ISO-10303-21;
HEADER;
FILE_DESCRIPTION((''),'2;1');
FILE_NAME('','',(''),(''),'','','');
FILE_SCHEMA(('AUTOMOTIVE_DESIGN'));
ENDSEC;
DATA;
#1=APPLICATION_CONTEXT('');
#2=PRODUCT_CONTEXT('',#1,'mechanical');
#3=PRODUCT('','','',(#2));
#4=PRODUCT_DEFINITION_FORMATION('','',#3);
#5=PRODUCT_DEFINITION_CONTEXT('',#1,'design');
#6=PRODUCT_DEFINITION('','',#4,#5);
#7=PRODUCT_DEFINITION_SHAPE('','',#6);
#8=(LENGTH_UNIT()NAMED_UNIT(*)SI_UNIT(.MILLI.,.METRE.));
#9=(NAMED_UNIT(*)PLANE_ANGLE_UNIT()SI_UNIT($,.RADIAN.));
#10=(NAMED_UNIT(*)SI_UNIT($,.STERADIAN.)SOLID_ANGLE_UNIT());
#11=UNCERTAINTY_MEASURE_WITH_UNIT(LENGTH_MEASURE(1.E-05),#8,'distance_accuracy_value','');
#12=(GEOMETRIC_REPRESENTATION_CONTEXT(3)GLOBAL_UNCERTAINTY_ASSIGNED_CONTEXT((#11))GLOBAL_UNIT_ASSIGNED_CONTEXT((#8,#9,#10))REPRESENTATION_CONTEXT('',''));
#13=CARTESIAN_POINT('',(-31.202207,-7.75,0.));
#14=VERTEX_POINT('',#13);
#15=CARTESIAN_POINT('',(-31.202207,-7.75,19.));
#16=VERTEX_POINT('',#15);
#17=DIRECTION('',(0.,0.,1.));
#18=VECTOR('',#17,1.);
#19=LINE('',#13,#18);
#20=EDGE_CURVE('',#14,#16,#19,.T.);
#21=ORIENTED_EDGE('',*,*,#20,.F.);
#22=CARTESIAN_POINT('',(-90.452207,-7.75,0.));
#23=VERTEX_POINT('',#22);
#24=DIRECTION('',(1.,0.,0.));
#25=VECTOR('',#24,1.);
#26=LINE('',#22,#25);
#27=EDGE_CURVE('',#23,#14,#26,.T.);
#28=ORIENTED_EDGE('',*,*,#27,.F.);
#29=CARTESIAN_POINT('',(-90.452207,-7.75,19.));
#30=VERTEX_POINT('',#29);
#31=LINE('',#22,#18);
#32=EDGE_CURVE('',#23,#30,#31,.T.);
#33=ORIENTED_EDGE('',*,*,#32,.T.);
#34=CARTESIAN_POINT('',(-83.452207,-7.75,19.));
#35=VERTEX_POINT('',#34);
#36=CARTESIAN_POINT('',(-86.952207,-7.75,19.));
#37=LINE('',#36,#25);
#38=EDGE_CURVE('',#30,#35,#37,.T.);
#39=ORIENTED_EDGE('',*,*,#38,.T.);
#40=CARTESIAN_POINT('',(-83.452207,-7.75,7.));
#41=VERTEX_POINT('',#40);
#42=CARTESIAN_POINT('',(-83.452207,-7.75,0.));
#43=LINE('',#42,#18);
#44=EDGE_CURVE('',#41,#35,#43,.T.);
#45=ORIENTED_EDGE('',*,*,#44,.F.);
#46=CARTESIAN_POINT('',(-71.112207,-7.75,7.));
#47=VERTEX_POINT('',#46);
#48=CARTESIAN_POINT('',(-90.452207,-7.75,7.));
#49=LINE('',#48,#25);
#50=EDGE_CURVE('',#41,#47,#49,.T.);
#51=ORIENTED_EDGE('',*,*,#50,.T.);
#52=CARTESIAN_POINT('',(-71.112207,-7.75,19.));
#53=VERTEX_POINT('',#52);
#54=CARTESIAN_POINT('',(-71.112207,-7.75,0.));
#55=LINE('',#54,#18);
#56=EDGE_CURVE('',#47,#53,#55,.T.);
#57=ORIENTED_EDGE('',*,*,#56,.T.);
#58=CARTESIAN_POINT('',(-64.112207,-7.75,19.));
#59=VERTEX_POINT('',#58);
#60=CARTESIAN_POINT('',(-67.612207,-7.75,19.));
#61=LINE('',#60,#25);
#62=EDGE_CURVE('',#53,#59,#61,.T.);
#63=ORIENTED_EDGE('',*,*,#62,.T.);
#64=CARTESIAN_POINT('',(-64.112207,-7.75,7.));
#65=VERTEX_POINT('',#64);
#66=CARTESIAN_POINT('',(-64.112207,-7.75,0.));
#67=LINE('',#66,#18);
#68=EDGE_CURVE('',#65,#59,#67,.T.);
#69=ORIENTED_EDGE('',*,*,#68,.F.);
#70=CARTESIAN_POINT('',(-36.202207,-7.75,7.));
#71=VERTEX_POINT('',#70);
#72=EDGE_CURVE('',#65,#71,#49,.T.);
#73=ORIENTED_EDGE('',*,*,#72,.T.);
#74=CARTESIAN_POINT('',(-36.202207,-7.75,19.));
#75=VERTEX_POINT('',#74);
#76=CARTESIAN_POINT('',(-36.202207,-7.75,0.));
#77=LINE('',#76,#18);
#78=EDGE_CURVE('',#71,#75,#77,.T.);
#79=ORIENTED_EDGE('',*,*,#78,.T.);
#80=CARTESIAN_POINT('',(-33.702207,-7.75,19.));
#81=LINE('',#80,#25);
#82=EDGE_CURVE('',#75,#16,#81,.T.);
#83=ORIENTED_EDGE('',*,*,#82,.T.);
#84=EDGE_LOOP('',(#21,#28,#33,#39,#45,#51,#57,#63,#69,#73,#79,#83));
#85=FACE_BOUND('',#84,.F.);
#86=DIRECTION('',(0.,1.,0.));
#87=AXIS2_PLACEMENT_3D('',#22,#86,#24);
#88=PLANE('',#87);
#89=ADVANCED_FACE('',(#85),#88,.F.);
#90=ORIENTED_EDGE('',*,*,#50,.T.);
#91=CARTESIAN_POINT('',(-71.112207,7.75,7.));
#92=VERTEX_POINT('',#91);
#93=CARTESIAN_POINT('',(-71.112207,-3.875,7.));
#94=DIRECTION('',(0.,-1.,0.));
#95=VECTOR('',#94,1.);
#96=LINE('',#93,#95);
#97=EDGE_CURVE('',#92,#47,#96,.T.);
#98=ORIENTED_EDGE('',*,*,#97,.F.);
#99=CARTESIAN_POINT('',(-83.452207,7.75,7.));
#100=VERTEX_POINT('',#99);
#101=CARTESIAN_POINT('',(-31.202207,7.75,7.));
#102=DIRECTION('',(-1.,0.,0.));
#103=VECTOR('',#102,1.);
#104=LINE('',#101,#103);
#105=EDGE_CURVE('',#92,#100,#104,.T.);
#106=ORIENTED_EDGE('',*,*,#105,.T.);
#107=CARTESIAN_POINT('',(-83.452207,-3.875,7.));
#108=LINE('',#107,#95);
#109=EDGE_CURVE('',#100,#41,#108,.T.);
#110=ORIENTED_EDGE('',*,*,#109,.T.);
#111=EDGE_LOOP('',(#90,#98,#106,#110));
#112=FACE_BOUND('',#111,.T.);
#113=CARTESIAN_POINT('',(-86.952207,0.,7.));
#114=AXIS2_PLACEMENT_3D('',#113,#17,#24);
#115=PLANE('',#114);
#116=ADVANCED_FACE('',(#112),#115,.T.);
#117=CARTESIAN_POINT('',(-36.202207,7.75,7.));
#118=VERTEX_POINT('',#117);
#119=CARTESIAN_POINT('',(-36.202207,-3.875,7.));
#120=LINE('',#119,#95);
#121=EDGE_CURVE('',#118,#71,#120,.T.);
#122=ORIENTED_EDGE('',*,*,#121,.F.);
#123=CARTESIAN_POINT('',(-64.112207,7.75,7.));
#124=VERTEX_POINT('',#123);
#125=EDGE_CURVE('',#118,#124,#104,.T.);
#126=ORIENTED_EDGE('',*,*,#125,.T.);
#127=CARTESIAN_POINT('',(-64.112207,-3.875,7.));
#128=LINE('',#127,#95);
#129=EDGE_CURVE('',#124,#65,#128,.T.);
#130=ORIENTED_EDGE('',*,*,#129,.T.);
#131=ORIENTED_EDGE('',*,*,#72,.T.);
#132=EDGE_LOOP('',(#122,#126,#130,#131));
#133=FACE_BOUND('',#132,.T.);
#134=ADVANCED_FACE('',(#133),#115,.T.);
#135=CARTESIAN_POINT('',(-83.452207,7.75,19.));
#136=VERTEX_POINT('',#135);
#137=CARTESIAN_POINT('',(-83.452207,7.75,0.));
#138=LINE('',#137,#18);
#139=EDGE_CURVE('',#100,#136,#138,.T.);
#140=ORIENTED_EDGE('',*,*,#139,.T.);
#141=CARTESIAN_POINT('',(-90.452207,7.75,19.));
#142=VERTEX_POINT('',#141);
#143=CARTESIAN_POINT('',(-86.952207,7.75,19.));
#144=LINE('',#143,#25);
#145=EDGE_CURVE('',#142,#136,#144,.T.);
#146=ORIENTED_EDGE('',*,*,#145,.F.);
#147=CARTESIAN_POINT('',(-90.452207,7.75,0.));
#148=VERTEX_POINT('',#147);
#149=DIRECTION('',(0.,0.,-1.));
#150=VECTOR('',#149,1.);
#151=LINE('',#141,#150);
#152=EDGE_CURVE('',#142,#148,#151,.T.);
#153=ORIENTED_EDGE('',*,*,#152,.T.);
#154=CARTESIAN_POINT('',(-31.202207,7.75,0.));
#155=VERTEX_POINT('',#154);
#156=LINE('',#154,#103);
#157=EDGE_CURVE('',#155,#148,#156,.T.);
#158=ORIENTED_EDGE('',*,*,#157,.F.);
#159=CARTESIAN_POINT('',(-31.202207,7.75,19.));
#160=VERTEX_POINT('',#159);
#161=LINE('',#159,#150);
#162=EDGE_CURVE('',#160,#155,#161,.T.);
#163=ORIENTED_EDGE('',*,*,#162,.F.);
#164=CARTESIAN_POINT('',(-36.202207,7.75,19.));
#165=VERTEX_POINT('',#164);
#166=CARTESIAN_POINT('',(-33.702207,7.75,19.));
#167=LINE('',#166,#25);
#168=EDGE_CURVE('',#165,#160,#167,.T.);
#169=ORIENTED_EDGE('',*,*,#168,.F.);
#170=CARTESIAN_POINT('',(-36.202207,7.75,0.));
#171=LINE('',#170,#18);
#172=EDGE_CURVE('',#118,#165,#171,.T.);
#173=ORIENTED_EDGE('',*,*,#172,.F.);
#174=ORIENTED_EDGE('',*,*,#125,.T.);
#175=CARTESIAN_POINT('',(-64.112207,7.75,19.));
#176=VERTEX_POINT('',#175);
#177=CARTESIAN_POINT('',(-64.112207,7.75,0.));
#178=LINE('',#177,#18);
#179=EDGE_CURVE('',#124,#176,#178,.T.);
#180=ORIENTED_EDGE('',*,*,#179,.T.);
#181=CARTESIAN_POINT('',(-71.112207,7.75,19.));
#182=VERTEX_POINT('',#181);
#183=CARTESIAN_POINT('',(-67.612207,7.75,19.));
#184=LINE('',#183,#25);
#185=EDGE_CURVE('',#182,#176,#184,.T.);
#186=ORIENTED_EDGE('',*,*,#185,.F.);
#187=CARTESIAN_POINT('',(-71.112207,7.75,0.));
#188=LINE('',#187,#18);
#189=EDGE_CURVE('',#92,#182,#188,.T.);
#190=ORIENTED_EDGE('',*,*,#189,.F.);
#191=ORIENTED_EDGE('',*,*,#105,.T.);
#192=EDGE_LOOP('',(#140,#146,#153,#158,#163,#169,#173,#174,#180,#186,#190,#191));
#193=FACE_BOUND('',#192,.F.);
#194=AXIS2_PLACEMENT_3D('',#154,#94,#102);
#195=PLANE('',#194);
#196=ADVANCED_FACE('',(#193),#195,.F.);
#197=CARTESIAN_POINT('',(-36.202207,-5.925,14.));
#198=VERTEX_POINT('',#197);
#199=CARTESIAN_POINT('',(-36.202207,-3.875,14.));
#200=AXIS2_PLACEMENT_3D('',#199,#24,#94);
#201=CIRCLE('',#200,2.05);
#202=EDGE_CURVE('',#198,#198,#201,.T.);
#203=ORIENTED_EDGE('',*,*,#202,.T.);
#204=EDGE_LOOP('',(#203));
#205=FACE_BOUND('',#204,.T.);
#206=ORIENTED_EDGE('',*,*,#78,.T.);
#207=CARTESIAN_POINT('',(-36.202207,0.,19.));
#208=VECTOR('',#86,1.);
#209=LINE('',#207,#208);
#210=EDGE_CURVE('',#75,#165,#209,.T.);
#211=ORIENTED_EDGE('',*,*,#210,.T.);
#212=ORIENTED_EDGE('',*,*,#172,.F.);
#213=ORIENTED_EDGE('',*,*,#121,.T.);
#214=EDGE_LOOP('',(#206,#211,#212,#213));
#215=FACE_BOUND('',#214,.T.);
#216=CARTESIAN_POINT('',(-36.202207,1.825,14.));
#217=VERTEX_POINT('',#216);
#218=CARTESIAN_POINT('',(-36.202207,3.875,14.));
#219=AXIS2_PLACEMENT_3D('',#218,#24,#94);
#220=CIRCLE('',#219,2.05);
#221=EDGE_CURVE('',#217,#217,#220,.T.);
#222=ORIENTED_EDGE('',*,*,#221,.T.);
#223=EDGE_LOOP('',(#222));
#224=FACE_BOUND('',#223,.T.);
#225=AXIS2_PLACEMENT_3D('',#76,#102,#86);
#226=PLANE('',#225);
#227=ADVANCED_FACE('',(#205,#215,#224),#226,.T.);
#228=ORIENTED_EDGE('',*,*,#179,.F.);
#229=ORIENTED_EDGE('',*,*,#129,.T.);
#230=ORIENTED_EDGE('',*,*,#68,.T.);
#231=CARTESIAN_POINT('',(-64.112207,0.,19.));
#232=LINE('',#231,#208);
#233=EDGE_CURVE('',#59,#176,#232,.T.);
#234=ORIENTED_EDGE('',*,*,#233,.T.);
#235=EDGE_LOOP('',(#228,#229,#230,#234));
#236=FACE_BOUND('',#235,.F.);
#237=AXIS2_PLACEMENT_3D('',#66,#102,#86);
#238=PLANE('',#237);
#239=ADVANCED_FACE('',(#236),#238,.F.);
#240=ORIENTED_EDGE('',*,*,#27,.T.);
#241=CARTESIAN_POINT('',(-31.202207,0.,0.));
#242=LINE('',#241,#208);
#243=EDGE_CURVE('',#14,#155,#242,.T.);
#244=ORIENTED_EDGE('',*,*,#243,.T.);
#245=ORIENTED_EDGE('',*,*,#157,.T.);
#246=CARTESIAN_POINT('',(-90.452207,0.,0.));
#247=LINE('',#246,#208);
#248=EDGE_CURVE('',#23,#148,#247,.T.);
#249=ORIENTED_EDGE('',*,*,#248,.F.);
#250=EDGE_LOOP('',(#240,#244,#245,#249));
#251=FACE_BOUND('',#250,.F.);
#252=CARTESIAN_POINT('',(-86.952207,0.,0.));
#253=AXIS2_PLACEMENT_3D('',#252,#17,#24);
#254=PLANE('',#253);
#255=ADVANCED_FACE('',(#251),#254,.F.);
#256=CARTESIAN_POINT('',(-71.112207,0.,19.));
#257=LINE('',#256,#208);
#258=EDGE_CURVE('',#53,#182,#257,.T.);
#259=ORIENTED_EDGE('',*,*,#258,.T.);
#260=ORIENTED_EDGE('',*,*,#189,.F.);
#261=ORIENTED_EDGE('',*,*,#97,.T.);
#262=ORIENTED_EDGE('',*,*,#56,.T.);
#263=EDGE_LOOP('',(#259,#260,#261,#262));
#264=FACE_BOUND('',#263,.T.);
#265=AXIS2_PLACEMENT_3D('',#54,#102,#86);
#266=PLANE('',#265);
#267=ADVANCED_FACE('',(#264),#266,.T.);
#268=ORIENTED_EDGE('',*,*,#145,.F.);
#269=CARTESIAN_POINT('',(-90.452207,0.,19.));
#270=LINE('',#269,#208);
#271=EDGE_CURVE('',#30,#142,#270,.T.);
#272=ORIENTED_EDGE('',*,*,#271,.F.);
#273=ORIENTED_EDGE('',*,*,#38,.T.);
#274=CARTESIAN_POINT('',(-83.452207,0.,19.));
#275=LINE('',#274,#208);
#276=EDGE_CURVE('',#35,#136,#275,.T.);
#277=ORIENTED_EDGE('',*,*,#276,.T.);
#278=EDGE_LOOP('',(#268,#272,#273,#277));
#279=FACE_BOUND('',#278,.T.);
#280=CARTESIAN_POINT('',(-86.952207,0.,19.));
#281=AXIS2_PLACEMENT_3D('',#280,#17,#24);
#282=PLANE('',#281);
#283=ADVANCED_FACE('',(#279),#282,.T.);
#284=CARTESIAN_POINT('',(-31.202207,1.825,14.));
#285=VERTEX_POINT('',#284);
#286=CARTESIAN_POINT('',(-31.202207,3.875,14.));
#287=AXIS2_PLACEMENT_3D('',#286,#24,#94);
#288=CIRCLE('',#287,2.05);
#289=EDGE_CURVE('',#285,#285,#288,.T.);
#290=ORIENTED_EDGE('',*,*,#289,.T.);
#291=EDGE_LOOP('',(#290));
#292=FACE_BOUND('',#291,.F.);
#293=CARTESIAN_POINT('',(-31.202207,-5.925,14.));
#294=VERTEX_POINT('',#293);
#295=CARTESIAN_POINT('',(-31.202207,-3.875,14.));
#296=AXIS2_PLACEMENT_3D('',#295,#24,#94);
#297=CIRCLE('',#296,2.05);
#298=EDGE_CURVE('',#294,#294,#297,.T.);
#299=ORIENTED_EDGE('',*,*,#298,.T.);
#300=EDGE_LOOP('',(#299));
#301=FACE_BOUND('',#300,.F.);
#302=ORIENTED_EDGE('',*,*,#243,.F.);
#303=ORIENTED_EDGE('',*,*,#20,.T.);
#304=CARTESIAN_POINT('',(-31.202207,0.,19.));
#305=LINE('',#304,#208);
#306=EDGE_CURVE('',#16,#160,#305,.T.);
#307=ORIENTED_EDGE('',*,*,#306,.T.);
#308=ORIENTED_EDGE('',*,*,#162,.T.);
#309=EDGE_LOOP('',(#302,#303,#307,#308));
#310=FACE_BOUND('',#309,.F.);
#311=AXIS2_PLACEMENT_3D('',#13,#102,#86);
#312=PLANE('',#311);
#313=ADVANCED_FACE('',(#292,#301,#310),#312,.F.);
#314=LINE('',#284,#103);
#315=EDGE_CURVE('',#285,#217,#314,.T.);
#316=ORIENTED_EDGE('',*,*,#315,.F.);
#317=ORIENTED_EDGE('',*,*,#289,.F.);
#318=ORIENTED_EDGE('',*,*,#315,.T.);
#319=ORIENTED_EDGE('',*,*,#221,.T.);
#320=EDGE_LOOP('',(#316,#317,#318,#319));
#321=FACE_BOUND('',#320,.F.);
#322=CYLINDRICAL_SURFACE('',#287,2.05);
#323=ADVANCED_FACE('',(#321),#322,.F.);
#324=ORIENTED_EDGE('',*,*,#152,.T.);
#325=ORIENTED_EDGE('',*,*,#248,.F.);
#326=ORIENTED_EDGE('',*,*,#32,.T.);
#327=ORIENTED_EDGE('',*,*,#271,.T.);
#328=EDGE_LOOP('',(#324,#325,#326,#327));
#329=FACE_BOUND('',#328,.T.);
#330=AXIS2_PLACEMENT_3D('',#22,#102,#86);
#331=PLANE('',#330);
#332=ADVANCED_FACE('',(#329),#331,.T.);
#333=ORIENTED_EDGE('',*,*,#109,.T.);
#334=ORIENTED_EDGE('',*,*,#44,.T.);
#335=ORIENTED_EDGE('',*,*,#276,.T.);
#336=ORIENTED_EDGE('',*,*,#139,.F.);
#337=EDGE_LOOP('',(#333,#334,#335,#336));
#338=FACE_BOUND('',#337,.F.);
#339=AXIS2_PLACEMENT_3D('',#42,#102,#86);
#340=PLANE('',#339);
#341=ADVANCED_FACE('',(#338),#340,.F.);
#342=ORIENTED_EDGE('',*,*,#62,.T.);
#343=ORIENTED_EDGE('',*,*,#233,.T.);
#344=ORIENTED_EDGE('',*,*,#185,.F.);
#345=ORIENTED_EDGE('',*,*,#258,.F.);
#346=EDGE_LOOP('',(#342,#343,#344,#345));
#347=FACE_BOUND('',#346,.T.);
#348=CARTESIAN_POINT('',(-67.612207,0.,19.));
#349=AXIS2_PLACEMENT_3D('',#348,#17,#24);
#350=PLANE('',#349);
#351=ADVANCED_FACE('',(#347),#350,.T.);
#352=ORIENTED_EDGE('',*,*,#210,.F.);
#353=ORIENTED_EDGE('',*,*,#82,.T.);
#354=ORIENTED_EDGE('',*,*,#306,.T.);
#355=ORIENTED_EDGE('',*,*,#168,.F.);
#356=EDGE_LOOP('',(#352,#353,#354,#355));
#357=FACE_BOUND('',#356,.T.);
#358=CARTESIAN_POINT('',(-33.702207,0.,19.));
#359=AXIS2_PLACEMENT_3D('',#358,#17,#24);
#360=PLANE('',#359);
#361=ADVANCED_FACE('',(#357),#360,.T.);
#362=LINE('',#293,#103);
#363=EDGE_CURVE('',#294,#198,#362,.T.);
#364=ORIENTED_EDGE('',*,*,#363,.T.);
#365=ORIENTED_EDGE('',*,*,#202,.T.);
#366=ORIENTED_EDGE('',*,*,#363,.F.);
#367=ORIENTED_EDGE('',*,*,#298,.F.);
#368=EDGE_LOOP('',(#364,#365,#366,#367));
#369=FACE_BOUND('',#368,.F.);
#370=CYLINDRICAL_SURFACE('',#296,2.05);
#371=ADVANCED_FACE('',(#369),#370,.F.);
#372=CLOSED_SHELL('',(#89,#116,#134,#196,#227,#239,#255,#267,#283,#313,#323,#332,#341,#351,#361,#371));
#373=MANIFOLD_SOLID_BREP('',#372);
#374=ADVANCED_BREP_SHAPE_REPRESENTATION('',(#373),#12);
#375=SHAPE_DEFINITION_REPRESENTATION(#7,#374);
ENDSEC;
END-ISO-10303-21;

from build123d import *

# Parameters (mm, degrees)
F0_W     = 7
F0_H     = 15.5
F0_W_2   = 12.34
F0_W_3   = 27.91
F0_W_4   = 5
F1_DEPTH = 7
F2_DEPTH = 19
F4_DEPTH = 25


with BuildPart() as f1:
    # F0 (on Top) → F1 (new body)
    with BuildSketch(Plane.XY):
        with Locations((-86.9522068564, 0)):
            Rectangle(F0_W, F0_H)
        with Locations((-77.2822068564, 0)):
            Rectangle(F0_W_2, F0_H)
        with Locations((-67.6122068564, 0)):
            Rectangle(F0_W, F0_H)
        with Locations((-50.1572068564, 0)):
            Rectangle(F0_W_3, F0_H)
        with Locations((-33.7022068564, 0)):
            Rectangle(F0_W_4, F0_H)
    extrude(amount=F1_DEPTH)

    # F0 (on Top) → F2 (join)
    with BuildSketch(Plane.XY):
        with Locations((-86.9522068564, 0)):
            Rectangle(F0_W, F0_H)
        with Locations((-67.6122068564, 0)):
            Rectangle(F0_W, F0_H)
        with Locations((-33.7022068564, 0)):
            Rectangle(F0_W_4, F0_H)
    extrude(amount=F2_DEPTH)

    # F3 (on face) → F4 (cut)
    with BuildSketch(Plane.YZ.offset(-31.2022068564)):
        with BuildLine():
            Line((-5.925, 14), (-1.825, 14))
            ThreePointArc((-1.825, 14), (-3.875, 16.05), (-5.925, 14))
        make_face()
        with BuildLine():
            ThreePointArc((5.925, 14), (3.875, 16.05), (1.825, 14))
            Line((1.825, 14), (5.925, 14))
        make_face()
        with BuildLine():
            Line((5.925, 14), (1.825, 14))
            ThreePointArc((1.825, 14), (3.875, 11.95), (5.925, 14))
        make_face()
        with BuildLine():
            ThreePointArc((-5.925, 14), (-3.875, 11.95), (-1.825, 14))
            Line((-1.825, 14), (-5.925, 14))
        make_face()
    extrude(amount=-F4_DEPTH, mode=Mode.SUBTRACT)


solid = f1.part
